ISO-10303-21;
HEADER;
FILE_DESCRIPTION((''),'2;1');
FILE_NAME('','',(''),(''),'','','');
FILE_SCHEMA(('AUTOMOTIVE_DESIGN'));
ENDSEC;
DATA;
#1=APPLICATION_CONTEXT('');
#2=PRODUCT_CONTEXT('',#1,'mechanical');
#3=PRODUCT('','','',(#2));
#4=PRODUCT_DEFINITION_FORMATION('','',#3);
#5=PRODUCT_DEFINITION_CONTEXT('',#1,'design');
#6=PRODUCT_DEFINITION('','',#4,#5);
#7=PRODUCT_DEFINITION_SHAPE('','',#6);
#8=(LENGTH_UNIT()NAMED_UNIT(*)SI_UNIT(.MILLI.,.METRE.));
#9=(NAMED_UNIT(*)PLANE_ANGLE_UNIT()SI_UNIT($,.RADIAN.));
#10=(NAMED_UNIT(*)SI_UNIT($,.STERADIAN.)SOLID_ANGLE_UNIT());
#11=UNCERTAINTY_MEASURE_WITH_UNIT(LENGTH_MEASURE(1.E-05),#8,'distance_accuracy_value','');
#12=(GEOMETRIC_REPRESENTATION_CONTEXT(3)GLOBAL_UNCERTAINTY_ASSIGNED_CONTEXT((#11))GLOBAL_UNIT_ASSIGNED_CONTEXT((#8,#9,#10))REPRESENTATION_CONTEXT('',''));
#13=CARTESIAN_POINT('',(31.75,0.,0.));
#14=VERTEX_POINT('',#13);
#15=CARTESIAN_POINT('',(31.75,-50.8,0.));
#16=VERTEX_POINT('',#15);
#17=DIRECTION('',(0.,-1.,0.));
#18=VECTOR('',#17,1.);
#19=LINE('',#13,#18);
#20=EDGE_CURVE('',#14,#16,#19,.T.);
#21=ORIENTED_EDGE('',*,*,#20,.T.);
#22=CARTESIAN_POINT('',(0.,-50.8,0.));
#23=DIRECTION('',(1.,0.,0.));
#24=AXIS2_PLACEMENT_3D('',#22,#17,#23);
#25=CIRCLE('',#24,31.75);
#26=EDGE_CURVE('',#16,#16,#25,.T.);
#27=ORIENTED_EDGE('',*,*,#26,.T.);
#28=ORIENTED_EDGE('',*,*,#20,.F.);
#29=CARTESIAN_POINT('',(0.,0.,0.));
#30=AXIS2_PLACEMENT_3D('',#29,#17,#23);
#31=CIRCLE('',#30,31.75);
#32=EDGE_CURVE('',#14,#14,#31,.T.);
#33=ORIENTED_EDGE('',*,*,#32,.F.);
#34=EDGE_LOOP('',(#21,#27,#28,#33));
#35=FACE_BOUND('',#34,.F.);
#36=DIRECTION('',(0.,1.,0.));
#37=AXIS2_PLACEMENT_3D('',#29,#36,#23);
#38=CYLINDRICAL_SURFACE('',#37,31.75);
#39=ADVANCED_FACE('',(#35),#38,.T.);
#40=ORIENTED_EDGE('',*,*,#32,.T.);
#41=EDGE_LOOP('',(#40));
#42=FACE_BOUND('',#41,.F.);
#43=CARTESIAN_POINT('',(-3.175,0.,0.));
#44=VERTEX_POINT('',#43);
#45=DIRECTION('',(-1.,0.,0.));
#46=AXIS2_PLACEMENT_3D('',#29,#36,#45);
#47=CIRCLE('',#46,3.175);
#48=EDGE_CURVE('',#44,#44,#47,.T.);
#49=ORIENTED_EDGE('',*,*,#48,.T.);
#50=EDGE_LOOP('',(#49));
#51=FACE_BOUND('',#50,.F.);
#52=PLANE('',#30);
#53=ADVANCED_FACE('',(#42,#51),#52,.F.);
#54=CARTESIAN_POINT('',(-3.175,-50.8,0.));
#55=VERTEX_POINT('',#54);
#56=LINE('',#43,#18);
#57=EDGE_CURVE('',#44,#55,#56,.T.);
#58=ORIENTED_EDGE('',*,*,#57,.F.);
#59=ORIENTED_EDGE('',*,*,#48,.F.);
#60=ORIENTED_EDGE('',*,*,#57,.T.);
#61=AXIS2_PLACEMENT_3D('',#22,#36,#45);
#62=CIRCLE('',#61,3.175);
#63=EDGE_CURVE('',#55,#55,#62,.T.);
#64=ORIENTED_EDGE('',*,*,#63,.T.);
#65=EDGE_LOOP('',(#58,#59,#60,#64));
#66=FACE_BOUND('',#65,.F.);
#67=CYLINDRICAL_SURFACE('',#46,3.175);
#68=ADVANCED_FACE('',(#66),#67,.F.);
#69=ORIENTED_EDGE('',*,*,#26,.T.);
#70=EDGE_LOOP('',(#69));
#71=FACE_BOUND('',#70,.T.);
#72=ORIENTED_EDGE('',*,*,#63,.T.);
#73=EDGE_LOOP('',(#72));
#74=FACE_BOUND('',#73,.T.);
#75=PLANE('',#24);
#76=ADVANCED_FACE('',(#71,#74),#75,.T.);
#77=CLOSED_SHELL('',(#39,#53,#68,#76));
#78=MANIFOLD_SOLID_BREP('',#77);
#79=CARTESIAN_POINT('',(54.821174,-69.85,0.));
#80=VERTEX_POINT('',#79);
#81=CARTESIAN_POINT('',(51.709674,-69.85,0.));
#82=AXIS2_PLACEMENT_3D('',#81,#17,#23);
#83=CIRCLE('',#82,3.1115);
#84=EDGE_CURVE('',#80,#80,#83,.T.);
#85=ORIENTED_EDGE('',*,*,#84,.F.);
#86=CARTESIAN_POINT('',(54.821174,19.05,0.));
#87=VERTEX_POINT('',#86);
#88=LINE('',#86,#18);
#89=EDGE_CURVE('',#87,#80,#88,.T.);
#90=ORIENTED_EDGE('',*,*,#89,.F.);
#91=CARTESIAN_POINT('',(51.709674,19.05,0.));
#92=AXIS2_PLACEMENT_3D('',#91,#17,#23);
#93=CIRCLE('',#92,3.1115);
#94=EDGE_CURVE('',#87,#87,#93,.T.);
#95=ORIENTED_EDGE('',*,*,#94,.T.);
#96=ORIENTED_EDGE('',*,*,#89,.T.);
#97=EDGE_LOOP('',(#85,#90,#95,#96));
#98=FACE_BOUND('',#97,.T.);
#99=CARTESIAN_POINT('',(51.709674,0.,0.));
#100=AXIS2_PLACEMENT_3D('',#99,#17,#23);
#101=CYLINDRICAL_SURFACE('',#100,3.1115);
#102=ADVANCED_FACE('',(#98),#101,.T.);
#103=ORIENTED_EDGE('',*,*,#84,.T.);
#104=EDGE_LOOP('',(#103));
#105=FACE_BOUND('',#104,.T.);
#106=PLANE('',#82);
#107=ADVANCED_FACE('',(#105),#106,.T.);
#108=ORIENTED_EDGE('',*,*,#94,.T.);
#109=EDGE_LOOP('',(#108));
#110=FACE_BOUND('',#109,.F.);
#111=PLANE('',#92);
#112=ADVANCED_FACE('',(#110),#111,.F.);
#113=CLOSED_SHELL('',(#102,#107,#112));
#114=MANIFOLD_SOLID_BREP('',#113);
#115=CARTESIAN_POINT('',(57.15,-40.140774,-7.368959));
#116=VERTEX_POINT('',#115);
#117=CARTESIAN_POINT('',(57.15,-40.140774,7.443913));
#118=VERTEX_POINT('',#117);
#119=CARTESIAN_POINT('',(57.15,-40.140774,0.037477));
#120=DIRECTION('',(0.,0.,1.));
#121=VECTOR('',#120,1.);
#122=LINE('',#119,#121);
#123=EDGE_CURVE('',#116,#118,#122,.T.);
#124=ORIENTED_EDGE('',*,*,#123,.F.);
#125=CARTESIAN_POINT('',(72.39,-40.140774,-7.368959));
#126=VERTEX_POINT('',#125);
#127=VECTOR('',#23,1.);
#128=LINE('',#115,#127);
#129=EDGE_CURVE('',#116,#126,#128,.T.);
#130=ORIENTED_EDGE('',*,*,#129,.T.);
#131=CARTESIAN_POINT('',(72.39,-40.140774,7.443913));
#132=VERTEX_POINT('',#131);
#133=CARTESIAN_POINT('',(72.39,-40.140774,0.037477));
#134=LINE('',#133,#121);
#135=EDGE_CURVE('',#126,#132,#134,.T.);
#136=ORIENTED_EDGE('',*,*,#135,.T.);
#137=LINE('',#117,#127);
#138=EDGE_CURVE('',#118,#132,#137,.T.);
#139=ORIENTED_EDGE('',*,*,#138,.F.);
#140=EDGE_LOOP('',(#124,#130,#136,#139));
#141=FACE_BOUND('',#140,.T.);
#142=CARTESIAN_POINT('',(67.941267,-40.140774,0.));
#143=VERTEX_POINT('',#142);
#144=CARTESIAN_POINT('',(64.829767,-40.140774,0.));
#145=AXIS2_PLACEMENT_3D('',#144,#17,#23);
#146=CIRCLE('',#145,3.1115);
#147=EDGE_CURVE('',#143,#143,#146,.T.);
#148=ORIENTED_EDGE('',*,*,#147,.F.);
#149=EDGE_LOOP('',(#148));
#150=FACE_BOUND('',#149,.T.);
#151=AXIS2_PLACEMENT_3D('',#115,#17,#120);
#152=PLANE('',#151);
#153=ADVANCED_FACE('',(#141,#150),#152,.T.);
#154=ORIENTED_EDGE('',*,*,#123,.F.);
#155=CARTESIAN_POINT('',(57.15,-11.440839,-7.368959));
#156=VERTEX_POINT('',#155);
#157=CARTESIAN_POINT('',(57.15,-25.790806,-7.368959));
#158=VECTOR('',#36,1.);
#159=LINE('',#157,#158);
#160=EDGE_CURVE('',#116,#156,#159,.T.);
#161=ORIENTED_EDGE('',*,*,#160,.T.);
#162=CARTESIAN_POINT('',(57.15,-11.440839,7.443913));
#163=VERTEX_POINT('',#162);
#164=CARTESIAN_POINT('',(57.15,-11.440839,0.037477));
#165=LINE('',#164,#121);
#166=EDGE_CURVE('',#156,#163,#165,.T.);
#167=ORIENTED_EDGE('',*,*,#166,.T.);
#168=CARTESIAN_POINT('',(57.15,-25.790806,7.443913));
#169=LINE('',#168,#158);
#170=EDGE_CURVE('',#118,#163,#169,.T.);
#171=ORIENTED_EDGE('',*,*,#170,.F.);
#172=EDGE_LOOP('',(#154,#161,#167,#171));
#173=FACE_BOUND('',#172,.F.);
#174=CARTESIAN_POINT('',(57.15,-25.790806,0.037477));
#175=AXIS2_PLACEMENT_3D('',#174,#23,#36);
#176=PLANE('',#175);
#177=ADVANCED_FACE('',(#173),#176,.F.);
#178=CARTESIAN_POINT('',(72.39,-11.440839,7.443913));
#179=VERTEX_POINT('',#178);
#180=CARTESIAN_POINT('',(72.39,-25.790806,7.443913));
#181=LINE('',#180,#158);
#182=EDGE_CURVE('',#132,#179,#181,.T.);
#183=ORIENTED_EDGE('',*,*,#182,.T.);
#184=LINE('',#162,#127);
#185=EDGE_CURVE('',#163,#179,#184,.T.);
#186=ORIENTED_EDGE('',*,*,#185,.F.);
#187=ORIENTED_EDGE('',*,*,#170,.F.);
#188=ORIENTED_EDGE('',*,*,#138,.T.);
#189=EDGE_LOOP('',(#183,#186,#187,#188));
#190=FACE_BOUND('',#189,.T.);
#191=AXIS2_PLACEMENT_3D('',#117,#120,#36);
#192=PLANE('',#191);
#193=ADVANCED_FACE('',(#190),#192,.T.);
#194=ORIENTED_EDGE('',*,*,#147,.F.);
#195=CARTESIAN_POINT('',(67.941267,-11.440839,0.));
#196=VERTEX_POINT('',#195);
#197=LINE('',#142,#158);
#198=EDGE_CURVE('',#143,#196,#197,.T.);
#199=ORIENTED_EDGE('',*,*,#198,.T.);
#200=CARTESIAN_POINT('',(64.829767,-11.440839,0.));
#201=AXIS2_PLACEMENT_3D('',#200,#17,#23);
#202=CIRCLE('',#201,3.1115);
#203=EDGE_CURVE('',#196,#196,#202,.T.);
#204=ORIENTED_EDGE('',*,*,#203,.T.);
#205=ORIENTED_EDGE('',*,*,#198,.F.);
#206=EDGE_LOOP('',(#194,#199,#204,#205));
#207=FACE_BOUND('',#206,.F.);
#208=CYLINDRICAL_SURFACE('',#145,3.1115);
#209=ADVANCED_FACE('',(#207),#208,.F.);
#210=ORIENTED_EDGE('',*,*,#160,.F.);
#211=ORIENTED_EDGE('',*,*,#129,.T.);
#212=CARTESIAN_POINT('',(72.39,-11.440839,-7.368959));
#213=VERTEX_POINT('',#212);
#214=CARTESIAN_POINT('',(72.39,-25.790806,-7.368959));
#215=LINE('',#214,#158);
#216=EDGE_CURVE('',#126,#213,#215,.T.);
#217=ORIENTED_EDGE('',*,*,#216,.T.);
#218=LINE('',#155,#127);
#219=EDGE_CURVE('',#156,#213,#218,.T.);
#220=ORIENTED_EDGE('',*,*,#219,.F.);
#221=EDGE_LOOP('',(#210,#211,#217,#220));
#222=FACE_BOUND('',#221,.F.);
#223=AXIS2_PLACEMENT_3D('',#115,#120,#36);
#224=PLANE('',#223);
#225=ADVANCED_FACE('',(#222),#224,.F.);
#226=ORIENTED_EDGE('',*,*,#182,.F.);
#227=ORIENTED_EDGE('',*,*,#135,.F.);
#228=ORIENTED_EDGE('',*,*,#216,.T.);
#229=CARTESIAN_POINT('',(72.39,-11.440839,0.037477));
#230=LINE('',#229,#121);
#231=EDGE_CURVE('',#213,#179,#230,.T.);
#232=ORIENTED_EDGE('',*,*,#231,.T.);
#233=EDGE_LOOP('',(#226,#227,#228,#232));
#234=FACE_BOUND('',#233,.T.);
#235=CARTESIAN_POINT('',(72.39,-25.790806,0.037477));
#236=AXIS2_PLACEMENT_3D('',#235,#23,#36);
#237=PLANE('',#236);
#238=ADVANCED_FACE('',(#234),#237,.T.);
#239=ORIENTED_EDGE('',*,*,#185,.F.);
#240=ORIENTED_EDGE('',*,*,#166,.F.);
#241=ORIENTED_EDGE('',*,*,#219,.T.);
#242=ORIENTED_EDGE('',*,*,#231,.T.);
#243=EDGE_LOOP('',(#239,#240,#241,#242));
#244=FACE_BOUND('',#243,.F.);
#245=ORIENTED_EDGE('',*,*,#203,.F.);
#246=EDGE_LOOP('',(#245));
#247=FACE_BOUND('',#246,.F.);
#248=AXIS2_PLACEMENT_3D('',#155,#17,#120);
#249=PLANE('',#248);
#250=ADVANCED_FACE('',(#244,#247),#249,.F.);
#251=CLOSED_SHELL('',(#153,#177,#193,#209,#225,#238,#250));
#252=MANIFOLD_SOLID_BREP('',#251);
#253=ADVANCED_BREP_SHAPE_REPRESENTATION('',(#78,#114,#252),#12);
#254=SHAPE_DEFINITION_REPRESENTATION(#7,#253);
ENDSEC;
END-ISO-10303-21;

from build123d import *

# Parameters (mm, degrees)
F0_R          = 31.75
F1_DEPTH      = 50.8
F2_R          = 3.175
F3_DEPTH      = 50.801
F0_R_2        = 3.1115
F4_DEPTH      = 69.85
F4_DEPTH_BACK = 19.05
F6_START      = 57.15
F5_W          = 28.6999354139
F5_H          = 14.8128718138
F6_DEPTH      = 15.24
F7_R          = 3.1115
F8_DEPTH      = 59.191774101


with BuildPart() as f1:
    # F0 (on Front) → F1 (new body)
    with BuildSketch(Plane.XZ):
        Circle(F0_R)
    extrude(amount=F1_DEPTH)

    # F2 (on face) → F3 (cut, through all)
    with BuildSketch(Plane(origin=(0, 0, 0), x_dir=(-1, 0, 0), z_dir=(0, 1, 0))):
        Circle(F2_R)
    extrude(amount=-F3_DEPTH, mode=Mode.SUBTRACT)


with BuildPart() as f4:
    # F0 (on Front) → F4 (new body, two sides)
    with BuildSketch(Plane.XZ) as f4_sk:
        with Locations((51.7096742988, 0)):
            Circle(F0_R_2)
    extrude(amount=F4_DEPTH)
    extrude(f4_sk.sketch, amount=-F4_DEPTH_BACK)


with BuildPart() as f6:
    # F5 (on Right) → F6 (new body)
    with BuildSketch(Plane.YZ.offset(F6_START)):
        with Locations((-25.7908063941, 0.0374768861)):
            Rectangle(F5_W, F5_H)
    extrude(amount=F6_DEPTH)

    # F7 (on face) → F8 (cut, through all)
    with BuildSketch(Plane.XZ.offset(40.140774101)):
        with Locations((64.8297667503, 0)):
            Circle(F7_R)
    extrude(amount=-F8_DEPTH, mode=Mode.SUBTRACT)


solid = Compound([f1.part, f4.part, f6.part])
